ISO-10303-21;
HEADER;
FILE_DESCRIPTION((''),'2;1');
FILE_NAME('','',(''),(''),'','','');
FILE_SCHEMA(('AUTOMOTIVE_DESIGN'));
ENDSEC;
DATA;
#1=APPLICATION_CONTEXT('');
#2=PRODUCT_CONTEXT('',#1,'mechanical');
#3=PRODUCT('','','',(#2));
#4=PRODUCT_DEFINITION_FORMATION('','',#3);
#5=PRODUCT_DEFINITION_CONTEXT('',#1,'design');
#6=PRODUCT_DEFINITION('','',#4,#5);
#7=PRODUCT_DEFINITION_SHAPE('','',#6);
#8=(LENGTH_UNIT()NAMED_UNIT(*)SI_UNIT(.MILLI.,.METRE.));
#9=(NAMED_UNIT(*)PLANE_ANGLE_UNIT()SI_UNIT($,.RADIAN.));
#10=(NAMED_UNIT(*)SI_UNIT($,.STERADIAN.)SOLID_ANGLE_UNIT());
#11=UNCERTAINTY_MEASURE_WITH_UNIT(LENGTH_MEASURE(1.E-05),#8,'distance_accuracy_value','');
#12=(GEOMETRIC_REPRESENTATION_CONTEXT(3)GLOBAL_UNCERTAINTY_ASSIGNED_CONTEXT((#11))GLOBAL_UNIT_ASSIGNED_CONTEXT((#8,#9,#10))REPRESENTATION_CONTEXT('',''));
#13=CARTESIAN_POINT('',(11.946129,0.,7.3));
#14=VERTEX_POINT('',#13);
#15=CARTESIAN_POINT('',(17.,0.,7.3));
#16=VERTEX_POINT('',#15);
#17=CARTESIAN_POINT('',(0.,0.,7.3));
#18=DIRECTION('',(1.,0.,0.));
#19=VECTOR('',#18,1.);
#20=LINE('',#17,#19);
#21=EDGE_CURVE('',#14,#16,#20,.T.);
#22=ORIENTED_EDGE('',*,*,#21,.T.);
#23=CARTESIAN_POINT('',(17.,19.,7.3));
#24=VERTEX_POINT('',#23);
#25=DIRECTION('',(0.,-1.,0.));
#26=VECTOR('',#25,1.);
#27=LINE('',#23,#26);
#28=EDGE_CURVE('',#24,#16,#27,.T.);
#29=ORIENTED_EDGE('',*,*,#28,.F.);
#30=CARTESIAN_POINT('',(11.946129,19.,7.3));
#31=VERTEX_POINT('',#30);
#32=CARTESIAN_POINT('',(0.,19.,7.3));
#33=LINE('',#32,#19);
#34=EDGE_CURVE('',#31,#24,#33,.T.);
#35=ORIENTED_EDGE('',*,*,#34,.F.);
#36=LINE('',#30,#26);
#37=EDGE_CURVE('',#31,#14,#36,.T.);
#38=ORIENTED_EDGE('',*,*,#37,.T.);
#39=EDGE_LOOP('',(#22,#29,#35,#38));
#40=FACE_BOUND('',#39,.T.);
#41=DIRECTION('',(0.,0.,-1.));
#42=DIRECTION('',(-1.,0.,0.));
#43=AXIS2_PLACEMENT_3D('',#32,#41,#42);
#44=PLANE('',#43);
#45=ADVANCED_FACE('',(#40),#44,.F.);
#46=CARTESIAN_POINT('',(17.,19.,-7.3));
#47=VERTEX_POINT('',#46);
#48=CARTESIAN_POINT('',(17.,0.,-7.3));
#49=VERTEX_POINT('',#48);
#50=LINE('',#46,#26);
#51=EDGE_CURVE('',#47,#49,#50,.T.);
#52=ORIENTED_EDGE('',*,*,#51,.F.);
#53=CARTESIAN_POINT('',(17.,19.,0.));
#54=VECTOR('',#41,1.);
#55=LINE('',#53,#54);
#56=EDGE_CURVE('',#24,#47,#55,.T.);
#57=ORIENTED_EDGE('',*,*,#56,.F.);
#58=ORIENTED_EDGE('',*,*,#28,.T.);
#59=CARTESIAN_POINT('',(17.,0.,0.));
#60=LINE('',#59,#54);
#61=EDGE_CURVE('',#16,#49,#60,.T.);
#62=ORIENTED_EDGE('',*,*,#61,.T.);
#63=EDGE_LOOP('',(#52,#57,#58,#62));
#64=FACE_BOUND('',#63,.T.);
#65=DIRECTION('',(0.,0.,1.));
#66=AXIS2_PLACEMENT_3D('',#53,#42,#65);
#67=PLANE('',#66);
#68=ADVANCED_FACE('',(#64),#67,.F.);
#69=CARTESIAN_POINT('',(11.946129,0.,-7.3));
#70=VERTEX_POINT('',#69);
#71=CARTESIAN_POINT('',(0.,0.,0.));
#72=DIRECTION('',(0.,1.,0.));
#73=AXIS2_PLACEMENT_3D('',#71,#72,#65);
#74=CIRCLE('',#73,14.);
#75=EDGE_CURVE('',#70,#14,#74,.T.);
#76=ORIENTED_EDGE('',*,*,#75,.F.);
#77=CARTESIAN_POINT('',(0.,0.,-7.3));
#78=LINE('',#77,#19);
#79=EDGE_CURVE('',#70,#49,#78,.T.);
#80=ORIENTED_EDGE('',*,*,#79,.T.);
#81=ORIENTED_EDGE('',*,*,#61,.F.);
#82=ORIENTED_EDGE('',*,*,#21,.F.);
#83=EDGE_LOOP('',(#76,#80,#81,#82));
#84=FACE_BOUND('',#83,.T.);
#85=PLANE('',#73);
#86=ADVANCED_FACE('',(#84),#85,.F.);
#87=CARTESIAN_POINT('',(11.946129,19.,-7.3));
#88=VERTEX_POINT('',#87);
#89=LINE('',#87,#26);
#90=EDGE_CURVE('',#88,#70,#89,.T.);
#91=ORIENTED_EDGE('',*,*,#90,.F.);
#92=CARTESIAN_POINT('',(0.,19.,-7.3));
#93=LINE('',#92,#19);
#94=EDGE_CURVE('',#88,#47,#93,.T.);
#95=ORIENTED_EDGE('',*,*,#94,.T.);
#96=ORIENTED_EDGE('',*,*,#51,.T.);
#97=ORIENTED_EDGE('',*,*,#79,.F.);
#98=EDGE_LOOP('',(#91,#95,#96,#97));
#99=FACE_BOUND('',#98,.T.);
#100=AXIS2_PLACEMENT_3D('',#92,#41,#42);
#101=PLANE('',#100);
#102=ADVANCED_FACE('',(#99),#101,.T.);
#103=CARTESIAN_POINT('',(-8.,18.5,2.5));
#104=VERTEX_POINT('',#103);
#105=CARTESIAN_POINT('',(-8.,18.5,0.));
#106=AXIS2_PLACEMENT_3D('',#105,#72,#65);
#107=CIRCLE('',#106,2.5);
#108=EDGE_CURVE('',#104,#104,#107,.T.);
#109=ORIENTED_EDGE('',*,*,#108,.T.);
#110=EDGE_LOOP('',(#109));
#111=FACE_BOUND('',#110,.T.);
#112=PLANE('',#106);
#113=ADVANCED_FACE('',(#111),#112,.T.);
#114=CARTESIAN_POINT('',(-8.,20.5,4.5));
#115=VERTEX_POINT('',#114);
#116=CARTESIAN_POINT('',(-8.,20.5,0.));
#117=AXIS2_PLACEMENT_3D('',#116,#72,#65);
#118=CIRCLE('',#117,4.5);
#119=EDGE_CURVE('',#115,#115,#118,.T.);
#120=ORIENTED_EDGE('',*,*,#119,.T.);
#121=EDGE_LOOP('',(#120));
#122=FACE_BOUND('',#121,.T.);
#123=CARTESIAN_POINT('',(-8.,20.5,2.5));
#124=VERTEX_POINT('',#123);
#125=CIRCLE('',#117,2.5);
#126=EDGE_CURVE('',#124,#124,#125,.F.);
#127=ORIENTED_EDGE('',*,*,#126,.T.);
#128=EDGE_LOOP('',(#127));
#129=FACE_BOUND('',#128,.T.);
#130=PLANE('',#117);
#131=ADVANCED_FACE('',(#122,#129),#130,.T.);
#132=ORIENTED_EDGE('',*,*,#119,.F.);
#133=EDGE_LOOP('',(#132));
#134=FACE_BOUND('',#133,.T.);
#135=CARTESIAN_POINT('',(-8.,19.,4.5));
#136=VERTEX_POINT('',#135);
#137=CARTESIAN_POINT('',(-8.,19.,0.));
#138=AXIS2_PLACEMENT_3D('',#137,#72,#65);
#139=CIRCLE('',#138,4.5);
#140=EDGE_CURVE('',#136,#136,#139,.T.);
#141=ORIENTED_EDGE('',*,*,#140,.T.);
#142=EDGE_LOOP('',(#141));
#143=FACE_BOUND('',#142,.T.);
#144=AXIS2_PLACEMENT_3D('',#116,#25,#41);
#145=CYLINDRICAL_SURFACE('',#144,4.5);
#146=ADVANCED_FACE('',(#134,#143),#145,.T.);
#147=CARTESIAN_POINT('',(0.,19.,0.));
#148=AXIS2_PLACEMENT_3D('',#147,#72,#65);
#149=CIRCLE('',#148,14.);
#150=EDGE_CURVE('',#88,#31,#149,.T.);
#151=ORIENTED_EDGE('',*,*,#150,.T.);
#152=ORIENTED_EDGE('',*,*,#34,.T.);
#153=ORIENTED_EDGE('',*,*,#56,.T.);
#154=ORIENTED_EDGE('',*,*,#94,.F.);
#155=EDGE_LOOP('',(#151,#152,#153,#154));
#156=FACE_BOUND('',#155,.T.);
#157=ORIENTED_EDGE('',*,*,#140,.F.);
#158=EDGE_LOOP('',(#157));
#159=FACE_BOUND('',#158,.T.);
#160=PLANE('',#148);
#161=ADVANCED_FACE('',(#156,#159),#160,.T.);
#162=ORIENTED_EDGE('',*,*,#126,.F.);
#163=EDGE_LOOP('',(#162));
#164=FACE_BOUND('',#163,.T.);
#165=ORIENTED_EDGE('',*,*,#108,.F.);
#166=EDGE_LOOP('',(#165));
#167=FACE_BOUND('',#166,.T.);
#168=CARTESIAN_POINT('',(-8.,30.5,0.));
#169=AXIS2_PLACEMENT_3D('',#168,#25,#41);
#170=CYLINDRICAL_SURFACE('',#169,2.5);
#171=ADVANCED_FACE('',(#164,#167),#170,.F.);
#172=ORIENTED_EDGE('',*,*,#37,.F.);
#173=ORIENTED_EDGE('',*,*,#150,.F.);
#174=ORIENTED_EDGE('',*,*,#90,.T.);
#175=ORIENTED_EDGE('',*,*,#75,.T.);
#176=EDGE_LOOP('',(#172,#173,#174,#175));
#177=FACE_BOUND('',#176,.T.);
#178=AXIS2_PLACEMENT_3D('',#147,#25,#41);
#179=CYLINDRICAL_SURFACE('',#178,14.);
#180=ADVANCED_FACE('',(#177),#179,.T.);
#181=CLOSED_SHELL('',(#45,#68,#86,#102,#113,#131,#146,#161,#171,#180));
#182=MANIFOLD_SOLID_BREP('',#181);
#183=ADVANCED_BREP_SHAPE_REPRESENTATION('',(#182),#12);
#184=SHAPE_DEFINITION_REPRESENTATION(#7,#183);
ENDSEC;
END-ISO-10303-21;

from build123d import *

# Parameters (mm, degrees)
CROQUIS1_R                 = 14
CROQUIS1_W                 = 14.155779923
CROQUIS1_H                 = 14.6
SALIENTE_EXTRUIR1_DEPTH    = 19
CROQUIS2_R                 = 4.5
SALIENTE_EXTRUIR2_DEPTH    = 1.5
CROQUIS3_R                 = 2.5
SALIENTE_EXTRUIR3_DEPTH    = 2.5
SALIENTE_EXTRUIR4_DEPTH    = 6
CROQUIS5_R                 = 2.5
CORTAR_EXTRUIR1_DEPTH      = 10
CORTAR_EXTRUIR1_DEPTH_BACK = 2


with BuildPart() as part:
    # Croquis1 → Saliente-Extruir1 (new body)
    with BuildSketch(Plane(origin=(0, 0, 0), x_dir=(1, 0, 0), z_dir=(0, 1, 0))):
        Circle(CROQUIS1_R)
        with Locations((9.922110038, 0)):
            Rectangle(CROQUIS1_W, CROQUIS1_H)
    extrude(amount=SALIENTE_EXTRUIR1_DEPTH)

    # Croquis2 → Saliente-Extruir2 (add)
    with BuildSketch(Plane(origin=(0, 19, 0), x_dir=(1, 0, 0), z_dir=(0, 1, 0))):
        with Locations((-8, 0)):
            Circle(CROQUIS2_R)
    extrude(amount=SALIENTE_EXTRUIR2_DEPTH)

    # Croquis3 → Saliente-Extruir3 (add)
    with BuildSketch(Plane(origin=(0, 20.5, 0), x_dir=(1, 0, 0), z_dir=(0, 1, 0))):
        with Locations((-8, 0)):
            Circle(CROQUIS3_R)
    extrude(amount=SALIENTE_EXTRUIR3_DEPTH)

    # Croquis4 → Saliente-Extruir4 (add)
    with BuildSketch(Plane(origin=(0, 23, 0), x_dir=(1, 0, 0), z_dir=(0, 1, 0))):
        with BuildLine():
            Line((-9.5, 2), (-9.5, -2))
            ThreePointArc((-9.5, -2), (-8, -2.5), (-6.5, -2))
            Line((-6.5, -2), (-6.5, 2))
            ThreePointArc((-6.5, 2), (-8, 2.5), (-9.5, 2))
        make_face()
    extrude(amount=SALIENTE_EXTRUIR4_DEPTH)

    # Croquis5 → Cortar-Extruir1 (cut, two sides)
    with BuildSketch(Plane(origin=(0, 20.5, 0), x_dir=(1, 0, 0), z_dir=(0, 1, 0))) as cortar_extruir1_sk:
        with Locations((-8, 0)):
            Circle(CROQUIS5_R)
    extrude(amount=CORTAR_EXTRUIR1_DEPTH, mode=Mode.SUBTRACT)
    extrude(cortar_extruir1_sk.sketch, amount=-CORTAR_EXTRUIR1_DEPTH_BACK, mode=Mode.SUBTRACT)


solid = part.part
